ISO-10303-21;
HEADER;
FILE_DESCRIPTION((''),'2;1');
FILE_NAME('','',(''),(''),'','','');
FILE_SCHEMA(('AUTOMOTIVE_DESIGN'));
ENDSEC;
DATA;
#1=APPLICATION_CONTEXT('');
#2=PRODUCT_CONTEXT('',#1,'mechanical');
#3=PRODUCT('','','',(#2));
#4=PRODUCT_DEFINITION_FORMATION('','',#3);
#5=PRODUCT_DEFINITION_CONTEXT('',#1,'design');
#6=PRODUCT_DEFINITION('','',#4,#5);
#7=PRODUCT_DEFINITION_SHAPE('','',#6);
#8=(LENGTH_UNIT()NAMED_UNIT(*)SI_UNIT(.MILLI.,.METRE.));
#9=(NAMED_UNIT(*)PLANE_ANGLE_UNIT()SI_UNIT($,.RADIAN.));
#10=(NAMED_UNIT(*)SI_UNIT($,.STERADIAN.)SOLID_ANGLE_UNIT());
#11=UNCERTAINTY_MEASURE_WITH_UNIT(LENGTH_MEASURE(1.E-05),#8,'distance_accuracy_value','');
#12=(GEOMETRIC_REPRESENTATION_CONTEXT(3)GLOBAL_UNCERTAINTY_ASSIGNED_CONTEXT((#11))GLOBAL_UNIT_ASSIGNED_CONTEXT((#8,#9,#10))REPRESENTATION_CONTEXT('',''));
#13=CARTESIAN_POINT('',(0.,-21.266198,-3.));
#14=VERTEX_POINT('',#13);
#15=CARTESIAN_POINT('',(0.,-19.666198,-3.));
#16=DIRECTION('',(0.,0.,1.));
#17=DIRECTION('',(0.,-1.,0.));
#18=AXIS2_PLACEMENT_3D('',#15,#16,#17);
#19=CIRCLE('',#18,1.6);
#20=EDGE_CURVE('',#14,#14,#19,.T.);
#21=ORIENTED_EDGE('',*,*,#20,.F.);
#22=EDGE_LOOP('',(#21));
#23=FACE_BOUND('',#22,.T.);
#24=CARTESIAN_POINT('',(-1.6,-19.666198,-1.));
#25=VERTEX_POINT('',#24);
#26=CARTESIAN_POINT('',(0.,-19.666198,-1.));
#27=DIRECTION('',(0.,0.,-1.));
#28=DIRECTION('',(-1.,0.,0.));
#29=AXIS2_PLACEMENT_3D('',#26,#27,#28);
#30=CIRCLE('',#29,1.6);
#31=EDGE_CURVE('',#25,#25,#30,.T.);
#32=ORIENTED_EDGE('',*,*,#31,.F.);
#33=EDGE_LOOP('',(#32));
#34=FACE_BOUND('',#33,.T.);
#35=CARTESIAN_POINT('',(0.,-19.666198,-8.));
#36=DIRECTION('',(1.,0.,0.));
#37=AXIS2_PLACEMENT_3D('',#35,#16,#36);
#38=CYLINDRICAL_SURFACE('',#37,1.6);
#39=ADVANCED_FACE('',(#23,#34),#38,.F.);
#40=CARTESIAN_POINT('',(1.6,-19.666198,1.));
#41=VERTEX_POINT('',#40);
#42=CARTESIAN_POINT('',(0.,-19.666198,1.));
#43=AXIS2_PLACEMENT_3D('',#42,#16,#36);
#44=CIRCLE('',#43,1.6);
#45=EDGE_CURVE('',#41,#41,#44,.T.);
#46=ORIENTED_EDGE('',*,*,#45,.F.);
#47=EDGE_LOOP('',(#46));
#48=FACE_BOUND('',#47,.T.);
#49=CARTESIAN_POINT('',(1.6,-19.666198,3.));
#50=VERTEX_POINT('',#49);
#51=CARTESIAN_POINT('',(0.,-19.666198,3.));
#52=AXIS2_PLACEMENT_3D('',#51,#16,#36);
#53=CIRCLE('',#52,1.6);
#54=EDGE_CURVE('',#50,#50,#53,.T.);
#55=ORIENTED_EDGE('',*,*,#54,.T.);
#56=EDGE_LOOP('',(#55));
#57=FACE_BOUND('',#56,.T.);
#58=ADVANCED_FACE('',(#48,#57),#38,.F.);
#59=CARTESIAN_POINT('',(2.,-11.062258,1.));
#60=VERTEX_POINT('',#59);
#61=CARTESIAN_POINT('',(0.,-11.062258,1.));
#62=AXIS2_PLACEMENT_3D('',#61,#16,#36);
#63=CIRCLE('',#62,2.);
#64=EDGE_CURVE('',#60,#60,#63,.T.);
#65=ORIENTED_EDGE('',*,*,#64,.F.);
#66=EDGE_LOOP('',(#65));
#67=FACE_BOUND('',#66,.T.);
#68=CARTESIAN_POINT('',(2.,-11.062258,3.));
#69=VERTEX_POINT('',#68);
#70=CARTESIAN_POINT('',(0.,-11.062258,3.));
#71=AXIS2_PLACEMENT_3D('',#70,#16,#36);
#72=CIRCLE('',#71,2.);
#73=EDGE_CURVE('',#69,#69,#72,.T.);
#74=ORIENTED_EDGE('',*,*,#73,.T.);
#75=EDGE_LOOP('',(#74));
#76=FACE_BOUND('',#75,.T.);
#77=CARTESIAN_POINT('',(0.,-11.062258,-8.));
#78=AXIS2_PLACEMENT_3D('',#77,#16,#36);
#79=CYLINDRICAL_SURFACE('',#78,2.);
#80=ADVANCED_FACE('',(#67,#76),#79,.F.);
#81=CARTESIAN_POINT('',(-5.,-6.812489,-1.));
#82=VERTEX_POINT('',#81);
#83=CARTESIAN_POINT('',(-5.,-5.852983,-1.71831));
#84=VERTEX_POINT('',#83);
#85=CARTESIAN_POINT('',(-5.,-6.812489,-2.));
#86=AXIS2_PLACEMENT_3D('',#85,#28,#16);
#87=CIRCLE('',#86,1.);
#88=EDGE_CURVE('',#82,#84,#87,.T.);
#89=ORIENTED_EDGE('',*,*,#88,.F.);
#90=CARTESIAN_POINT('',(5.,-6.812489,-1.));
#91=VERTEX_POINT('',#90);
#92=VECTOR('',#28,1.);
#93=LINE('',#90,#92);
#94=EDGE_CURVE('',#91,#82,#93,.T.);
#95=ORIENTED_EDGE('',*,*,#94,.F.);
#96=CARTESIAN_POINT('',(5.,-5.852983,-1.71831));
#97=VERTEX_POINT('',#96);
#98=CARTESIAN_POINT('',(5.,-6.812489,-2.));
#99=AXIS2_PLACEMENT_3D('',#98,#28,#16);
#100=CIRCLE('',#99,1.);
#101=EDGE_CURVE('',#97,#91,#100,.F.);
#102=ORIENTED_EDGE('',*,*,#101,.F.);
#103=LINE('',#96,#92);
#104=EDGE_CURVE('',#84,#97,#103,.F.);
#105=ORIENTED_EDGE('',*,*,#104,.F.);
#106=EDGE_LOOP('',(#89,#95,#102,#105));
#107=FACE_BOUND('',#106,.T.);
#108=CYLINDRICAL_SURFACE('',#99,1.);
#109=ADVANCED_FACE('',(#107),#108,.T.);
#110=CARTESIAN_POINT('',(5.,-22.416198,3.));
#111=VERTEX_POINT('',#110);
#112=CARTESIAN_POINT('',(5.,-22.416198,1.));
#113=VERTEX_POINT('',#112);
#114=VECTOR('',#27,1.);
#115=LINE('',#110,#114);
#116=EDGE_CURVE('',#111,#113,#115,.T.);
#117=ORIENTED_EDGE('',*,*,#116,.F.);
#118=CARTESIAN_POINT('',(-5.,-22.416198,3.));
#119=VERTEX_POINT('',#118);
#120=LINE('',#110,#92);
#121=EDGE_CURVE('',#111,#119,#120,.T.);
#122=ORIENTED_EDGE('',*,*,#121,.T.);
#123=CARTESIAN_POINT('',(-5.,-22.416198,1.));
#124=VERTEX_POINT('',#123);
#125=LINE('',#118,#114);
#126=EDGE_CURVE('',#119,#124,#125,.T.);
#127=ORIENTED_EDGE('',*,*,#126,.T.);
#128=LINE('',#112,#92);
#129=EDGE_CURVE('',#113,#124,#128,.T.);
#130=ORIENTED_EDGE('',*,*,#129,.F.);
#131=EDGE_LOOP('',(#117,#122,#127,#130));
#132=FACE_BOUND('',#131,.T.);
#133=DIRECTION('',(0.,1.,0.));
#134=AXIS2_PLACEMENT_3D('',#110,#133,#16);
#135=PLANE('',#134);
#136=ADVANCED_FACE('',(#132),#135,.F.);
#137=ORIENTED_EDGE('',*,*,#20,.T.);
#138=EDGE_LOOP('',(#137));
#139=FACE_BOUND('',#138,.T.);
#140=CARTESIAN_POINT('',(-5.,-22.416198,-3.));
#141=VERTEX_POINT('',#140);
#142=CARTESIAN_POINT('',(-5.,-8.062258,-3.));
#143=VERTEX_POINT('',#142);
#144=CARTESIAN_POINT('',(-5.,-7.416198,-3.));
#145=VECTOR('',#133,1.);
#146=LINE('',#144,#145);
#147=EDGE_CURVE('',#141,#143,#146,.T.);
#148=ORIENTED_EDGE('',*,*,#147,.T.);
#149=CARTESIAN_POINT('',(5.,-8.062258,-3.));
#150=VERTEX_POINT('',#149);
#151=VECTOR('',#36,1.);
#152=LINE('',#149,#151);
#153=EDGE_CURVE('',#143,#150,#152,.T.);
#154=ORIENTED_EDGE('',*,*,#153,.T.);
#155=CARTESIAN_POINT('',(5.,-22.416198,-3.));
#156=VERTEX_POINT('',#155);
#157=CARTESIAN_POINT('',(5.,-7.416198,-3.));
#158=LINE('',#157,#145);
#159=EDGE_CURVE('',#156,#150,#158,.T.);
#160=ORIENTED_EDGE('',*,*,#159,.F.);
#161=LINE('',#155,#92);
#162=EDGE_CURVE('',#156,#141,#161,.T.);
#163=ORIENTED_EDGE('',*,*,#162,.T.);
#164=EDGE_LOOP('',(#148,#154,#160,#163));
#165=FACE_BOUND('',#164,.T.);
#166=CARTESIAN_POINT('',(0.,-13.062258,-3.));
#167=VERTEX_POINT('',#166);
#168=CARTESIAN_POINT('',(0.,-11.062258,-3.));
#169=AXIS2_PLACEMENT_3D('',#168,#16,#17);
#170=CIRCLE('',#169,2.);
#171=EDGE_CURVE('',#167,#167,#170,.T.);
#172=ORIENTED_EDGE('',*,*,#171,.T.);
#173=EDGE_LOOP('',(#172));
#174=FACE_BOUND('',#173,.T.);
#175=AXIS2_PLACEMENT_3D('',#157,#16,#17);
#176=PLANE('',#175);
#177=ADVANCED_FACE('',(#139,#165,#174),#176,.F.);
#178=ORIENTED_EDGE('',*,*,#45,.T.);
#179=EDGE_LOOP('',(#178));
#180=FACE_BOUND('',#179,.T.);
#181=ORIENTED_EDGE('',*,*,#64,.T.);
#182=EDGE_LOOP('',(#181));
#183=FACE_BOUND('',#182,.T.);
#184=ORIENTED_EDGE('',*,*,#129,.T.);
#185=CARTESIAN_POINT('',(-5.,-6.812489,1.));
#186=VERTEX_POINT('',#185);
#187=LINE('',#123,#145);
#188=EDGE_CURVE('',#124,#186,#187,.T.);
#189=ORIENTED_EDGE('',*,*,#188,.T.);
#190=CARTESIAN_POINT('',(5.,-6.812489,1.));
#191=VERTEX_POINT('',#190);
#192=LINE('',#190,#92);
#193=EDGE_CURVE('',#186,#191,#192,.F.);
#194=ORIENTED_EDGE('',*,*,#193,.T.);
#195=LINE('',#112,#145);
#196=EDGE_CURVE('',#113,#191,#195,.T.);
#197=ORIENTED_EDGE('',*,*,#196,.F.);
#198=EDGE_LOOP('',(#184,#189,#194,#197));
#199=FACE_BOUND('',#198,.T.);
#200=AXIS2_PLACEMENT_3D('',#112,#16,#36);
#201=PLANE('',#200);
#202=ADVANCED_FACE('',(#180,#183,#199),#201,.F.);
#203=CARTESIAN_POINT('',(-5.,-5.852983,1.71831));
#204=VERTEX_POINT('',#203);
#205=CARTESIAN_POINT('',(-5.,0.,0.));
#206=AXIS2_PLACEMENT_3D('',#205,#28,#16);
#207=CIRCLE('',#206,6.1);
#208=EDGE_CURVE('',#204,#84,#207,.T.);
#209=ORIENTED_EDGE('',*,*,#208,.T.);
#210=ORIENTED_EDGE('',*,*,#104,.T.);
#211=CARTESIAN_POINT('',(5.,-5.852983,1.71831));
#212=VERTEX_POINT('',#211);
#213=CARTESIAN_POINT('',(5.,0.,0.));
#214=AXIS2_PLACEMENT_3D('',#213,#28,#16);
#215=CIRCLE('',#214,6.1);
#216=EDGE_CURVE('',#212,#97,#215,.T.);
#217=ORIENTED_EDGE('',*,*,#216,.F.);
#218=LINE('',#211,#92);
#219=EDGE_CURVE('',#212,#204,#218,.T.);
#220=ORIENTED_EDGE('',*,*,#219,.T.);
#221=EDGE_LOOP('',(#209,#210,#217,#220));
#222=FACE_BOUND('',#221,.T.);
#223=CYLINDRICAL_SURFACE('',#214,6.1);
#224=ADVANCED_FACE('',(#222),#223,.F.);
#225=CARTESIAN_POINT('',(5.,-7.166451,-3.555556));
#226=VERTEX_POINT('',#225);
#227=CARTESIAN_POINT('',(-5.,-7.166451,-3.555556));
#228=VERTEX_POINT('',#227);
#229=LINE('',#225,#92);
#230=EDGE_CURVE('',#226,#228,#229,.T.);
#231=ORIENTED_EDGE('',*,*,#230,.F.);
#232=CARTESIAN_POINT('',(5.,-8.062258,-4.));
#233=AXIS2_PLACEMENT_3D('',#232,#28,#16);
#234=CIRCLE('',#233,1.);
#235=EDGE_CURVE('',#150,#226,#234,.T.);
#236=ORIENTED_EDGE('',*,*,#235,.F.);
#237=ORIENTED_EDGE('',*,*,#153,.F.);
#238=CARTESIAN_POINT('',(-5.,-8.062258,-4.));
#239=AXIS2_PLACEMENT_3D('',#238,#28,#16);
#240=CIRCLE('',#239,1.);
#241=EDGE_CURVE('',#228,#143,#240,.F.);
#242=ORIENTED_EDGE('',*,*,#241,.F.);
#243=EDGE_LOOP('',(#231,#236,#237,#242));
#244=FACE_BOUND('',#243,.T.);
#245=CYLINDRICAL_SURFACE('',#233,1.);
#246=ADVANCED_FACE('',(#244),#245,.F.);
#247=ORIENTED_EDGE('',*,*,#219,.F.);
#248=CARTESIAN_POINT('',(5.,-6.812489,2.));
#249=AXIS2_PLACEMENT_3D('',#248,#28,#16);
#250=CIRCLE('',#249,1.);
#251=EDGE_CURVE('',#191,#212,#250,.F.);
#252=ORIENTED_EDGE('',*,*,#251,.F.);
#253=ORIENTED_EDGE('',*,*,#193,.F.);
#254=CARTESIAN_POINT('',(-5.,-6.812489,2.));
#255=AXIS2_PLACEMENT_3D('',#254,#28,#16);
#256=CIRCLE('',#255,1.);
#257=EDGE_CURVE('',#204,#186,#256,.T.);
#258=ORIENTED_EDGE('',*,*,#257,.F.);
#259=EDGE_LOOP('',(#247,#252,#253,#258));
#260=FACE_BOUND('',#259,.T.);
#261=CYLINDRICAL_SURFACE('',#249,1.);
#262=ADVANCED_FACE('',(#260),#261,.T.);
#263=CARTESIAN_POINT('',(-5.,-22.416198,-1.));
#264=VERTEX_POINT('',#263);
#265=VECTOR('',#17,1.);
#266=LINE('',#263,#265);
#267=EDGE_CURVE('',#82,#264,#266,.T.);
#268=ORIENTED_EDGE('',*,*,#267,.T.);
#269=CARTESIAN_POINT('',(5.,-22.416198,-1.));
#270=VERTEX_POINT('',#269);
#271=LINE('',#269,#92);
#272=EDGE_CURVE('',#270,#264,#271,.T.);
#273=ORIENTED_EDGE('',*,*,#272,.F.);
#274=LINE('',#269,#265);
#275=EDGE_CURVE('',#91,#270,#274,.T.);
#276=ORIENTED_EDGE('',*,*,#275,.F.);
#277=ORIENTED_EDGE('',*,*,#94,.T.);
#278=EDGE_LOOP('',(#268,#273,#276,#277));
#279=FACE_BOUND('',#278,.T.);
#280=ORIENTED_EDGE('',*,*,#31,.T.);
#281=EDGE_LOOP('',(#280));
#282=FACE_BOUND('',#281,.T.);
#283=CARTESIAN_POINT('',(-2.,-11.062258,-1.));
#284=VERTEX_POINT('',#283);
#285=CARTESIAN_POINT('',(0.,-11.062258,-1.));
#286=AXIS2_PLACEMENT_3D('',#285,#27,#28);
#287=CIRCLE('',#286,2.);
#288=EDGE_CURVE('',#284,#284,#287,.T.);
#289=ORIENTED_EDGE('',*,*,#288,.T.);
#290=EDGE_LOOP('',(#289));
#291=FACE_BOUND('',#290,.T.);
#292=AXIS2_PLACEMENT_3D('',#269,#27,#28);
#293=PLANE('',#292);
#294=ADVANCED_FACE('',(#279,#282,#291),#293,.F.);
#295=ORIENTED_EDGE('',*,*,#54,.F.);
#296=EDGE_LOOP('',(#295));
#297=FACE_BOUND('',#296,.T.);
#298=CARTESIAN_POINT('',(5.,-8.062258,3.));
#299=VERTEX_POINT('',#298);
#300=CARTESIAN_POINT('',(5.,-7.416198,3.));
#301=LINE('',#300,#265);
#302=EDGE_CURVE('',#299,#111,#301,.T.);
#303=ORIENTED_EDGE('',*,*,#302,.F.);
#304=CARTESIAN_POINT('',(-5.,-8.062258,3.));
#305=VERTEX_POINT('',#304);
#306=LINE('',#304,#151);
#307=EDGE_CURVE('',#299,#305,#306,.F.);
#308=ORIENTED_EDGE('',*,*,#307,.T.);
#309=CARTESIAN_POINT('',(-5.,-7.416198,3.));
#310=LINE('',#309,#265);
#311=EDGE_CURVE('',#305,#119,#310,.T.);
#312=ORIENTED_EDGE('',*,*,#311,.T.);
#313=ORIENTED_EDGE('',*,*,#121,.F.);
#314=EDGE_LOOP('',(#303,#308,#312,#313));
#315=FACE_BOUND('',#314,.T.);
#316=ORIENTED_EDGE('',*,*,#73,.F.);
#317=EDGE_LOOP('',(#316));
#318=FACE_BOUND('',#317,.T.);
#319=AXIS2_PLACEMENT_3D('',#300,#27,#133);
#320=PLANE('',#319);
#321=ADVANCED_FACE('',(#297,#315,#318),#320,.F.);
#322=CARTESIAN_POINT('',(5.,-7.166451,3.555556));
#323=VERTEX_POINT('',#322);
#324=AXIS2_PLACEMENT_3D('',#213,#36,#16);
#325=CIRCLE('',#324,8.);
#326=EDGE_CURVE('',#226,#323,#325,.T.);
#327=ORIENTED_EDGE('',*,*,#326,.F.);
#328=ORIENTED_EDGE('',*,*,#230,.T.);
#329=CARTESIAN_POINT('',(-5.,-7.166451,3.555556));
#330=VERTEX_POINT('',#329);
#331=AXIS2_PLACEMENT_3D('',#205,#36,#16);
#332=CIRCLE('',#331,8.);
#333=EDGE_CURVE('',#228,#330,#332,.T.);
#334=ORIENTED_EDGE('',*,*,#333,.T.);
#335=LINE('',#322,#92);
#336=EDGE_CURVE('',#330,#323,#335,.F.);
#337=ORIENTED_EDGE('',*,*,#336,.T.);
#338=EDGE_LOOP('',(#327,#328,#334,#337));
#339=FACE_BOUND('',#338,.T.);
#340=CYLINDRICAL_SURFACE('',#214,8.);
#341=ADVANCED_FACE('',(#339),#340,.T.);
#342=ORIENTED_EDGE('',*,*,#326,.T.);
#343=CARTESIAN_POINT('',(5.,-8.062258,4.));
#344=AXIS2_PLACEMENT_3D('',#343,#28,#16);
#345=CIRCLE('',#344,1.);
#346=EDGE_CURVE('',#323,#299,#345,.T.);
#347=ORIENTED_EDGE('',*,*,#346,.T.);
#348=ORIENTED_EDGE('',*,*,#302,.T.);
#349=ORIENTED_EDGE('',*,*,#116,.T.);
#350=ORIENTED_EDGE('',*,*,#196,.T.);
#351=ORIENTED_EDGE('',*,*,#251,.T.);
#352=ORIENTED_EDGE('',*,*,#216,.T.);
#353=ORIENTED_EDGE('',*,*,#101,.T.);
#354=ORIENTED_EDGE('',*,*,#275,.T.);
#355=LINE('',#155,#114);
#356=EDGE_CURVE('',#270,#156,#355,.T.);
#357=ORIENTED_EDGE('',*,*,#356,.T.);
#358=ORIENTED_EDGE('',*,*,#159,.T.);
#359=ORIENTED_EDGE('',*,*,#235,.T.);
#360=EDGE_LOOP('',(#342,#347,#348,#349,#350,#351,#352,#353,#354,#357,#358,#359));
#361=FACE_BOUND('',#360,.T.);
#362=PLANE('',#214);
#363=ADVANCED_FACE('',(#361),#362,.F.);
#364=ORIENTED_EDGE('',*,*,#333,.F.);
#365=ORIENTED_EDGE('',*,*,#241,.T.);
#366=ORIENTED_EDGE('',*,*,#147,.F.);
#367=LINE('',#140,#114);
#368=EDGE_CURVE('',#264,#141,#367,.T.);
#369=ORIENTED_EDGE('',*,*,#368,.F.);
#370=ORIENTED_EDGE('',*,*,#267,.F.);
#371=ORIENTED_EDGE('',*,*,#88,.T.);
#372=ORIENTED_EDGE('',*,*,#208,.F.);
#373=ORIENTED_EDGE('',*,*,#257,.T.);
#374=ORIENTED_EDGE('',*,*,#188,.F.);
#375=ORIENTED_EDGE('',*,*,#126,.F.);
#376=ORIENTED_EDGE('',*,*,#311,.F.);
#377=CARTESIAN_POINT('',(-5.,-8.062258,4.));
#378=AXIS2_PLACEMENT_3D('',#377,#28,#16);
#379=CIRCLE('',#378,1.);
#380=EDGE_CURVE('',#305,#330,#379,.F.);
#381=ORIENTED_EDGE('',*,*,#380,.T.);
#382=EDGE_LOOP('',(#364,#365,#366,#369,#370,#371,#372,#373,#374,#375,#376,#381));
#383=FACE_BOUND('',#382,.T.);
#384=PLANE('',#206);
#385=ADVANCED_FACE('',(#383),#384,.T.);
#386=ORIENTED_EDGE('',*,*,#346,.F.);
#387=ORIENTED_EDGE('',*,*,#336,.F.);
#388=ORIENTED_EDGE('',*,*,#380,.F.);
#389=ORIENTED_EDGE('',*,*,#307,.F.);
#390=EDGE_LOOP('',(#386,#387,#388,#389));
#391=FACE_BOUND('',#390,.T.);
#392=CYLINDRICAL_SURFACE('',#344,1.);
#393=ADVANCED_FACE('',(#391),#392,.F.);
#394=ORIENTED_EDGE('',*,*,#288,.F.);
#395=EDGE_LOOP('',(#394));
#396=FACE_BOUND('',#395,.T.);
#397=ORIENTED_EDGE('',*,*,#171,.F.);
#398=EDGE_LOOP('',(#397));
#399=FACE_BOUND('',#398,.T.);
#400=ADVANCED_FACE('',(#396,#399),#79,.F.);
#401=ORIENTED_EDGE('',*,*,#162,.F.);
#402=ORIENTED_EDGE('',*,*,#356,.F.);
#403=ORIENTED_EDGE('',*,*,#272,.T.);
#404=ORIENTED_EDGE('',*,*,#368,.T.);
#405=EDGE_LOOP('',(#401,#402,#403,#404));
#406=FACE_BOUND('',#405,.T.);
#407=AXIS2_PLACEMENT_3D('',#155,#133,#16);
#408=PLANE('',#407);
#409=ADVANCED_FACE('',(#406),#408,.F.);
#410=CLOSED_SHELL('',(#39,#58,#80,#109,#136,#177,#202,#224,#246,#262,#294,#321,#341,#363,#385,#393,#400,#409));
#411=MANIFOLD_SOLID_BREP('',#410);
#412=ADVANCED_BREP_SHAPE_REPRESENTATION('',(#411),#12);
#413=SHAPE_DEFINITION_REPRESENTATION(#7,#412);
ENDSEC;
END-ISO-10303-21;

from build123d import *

# Parameters (mm, degrees)
BOSS_EXTRUDE1_DEPTH = 5
FILLET1_R           = 1
SKETCH3_R           = 1.6
SKETCH3_R_2         = 2
CUT_EXTRUDE1_DEPTH  = 26.465387384


with BuildPart() as part:
    # Sketch1 → Boss-Extrude1 (new, symmetric)
    with BuildSketch(Plane(origin=(0, 0, 0), x_dir=(0, 0, -1), z_dir=(1, 0, 0))):
        with BuildLine():
            Line((-3, -7.416198487), (-3, -22.416198487))
            Line((-3, -22.416198487), (-1, -22.416198487))
            Line((-1, -22.416198487), (-1, -6.017474553))
            ThreePointArc((-1, -6.017474553), (0, 6.1), (1, -6.017474553))
            Line((1, -6.017474553), (1, -22.416198487))
            Line((1, -22.416198487), (3, -22.416198487))
            Line((3, -22.416198487), (3, -7.416198487))
            ThreePointArc((3, -7.416198487), (0, 8), (-3, -7.416198487))
        make_face()
    extrude(amount=BOSS_EXTRUDE1_DEPTH, both=True)

    # Fillet1
    fillet1_edges = [part.edges().sort_by_distance(p)[0] for p in [
        (0, -6.017474553, 1),
        (0, -7.416198487, 3),
        (0, -7.416198487, -3),
        (0, -6.017474553, -1),
    ]]
    fillet(fillet1_edges, radius=FILLET1_R)

    # Sketch3 → Cut-Extrude1 (cut, through all)
    with BuildSketch(Plane.XY.offset(3)):
        with Locations((0, -19.666198487)):
            Circle(SKETCH3_R)
        with Locations((0, -11.062257748)):
            Circle(SKETCH3_R_2)
    extrude(amount=-CUT_EXTRUDE1_DEPTH, mode=Mode.SUBTRACT)


solid = part.part
